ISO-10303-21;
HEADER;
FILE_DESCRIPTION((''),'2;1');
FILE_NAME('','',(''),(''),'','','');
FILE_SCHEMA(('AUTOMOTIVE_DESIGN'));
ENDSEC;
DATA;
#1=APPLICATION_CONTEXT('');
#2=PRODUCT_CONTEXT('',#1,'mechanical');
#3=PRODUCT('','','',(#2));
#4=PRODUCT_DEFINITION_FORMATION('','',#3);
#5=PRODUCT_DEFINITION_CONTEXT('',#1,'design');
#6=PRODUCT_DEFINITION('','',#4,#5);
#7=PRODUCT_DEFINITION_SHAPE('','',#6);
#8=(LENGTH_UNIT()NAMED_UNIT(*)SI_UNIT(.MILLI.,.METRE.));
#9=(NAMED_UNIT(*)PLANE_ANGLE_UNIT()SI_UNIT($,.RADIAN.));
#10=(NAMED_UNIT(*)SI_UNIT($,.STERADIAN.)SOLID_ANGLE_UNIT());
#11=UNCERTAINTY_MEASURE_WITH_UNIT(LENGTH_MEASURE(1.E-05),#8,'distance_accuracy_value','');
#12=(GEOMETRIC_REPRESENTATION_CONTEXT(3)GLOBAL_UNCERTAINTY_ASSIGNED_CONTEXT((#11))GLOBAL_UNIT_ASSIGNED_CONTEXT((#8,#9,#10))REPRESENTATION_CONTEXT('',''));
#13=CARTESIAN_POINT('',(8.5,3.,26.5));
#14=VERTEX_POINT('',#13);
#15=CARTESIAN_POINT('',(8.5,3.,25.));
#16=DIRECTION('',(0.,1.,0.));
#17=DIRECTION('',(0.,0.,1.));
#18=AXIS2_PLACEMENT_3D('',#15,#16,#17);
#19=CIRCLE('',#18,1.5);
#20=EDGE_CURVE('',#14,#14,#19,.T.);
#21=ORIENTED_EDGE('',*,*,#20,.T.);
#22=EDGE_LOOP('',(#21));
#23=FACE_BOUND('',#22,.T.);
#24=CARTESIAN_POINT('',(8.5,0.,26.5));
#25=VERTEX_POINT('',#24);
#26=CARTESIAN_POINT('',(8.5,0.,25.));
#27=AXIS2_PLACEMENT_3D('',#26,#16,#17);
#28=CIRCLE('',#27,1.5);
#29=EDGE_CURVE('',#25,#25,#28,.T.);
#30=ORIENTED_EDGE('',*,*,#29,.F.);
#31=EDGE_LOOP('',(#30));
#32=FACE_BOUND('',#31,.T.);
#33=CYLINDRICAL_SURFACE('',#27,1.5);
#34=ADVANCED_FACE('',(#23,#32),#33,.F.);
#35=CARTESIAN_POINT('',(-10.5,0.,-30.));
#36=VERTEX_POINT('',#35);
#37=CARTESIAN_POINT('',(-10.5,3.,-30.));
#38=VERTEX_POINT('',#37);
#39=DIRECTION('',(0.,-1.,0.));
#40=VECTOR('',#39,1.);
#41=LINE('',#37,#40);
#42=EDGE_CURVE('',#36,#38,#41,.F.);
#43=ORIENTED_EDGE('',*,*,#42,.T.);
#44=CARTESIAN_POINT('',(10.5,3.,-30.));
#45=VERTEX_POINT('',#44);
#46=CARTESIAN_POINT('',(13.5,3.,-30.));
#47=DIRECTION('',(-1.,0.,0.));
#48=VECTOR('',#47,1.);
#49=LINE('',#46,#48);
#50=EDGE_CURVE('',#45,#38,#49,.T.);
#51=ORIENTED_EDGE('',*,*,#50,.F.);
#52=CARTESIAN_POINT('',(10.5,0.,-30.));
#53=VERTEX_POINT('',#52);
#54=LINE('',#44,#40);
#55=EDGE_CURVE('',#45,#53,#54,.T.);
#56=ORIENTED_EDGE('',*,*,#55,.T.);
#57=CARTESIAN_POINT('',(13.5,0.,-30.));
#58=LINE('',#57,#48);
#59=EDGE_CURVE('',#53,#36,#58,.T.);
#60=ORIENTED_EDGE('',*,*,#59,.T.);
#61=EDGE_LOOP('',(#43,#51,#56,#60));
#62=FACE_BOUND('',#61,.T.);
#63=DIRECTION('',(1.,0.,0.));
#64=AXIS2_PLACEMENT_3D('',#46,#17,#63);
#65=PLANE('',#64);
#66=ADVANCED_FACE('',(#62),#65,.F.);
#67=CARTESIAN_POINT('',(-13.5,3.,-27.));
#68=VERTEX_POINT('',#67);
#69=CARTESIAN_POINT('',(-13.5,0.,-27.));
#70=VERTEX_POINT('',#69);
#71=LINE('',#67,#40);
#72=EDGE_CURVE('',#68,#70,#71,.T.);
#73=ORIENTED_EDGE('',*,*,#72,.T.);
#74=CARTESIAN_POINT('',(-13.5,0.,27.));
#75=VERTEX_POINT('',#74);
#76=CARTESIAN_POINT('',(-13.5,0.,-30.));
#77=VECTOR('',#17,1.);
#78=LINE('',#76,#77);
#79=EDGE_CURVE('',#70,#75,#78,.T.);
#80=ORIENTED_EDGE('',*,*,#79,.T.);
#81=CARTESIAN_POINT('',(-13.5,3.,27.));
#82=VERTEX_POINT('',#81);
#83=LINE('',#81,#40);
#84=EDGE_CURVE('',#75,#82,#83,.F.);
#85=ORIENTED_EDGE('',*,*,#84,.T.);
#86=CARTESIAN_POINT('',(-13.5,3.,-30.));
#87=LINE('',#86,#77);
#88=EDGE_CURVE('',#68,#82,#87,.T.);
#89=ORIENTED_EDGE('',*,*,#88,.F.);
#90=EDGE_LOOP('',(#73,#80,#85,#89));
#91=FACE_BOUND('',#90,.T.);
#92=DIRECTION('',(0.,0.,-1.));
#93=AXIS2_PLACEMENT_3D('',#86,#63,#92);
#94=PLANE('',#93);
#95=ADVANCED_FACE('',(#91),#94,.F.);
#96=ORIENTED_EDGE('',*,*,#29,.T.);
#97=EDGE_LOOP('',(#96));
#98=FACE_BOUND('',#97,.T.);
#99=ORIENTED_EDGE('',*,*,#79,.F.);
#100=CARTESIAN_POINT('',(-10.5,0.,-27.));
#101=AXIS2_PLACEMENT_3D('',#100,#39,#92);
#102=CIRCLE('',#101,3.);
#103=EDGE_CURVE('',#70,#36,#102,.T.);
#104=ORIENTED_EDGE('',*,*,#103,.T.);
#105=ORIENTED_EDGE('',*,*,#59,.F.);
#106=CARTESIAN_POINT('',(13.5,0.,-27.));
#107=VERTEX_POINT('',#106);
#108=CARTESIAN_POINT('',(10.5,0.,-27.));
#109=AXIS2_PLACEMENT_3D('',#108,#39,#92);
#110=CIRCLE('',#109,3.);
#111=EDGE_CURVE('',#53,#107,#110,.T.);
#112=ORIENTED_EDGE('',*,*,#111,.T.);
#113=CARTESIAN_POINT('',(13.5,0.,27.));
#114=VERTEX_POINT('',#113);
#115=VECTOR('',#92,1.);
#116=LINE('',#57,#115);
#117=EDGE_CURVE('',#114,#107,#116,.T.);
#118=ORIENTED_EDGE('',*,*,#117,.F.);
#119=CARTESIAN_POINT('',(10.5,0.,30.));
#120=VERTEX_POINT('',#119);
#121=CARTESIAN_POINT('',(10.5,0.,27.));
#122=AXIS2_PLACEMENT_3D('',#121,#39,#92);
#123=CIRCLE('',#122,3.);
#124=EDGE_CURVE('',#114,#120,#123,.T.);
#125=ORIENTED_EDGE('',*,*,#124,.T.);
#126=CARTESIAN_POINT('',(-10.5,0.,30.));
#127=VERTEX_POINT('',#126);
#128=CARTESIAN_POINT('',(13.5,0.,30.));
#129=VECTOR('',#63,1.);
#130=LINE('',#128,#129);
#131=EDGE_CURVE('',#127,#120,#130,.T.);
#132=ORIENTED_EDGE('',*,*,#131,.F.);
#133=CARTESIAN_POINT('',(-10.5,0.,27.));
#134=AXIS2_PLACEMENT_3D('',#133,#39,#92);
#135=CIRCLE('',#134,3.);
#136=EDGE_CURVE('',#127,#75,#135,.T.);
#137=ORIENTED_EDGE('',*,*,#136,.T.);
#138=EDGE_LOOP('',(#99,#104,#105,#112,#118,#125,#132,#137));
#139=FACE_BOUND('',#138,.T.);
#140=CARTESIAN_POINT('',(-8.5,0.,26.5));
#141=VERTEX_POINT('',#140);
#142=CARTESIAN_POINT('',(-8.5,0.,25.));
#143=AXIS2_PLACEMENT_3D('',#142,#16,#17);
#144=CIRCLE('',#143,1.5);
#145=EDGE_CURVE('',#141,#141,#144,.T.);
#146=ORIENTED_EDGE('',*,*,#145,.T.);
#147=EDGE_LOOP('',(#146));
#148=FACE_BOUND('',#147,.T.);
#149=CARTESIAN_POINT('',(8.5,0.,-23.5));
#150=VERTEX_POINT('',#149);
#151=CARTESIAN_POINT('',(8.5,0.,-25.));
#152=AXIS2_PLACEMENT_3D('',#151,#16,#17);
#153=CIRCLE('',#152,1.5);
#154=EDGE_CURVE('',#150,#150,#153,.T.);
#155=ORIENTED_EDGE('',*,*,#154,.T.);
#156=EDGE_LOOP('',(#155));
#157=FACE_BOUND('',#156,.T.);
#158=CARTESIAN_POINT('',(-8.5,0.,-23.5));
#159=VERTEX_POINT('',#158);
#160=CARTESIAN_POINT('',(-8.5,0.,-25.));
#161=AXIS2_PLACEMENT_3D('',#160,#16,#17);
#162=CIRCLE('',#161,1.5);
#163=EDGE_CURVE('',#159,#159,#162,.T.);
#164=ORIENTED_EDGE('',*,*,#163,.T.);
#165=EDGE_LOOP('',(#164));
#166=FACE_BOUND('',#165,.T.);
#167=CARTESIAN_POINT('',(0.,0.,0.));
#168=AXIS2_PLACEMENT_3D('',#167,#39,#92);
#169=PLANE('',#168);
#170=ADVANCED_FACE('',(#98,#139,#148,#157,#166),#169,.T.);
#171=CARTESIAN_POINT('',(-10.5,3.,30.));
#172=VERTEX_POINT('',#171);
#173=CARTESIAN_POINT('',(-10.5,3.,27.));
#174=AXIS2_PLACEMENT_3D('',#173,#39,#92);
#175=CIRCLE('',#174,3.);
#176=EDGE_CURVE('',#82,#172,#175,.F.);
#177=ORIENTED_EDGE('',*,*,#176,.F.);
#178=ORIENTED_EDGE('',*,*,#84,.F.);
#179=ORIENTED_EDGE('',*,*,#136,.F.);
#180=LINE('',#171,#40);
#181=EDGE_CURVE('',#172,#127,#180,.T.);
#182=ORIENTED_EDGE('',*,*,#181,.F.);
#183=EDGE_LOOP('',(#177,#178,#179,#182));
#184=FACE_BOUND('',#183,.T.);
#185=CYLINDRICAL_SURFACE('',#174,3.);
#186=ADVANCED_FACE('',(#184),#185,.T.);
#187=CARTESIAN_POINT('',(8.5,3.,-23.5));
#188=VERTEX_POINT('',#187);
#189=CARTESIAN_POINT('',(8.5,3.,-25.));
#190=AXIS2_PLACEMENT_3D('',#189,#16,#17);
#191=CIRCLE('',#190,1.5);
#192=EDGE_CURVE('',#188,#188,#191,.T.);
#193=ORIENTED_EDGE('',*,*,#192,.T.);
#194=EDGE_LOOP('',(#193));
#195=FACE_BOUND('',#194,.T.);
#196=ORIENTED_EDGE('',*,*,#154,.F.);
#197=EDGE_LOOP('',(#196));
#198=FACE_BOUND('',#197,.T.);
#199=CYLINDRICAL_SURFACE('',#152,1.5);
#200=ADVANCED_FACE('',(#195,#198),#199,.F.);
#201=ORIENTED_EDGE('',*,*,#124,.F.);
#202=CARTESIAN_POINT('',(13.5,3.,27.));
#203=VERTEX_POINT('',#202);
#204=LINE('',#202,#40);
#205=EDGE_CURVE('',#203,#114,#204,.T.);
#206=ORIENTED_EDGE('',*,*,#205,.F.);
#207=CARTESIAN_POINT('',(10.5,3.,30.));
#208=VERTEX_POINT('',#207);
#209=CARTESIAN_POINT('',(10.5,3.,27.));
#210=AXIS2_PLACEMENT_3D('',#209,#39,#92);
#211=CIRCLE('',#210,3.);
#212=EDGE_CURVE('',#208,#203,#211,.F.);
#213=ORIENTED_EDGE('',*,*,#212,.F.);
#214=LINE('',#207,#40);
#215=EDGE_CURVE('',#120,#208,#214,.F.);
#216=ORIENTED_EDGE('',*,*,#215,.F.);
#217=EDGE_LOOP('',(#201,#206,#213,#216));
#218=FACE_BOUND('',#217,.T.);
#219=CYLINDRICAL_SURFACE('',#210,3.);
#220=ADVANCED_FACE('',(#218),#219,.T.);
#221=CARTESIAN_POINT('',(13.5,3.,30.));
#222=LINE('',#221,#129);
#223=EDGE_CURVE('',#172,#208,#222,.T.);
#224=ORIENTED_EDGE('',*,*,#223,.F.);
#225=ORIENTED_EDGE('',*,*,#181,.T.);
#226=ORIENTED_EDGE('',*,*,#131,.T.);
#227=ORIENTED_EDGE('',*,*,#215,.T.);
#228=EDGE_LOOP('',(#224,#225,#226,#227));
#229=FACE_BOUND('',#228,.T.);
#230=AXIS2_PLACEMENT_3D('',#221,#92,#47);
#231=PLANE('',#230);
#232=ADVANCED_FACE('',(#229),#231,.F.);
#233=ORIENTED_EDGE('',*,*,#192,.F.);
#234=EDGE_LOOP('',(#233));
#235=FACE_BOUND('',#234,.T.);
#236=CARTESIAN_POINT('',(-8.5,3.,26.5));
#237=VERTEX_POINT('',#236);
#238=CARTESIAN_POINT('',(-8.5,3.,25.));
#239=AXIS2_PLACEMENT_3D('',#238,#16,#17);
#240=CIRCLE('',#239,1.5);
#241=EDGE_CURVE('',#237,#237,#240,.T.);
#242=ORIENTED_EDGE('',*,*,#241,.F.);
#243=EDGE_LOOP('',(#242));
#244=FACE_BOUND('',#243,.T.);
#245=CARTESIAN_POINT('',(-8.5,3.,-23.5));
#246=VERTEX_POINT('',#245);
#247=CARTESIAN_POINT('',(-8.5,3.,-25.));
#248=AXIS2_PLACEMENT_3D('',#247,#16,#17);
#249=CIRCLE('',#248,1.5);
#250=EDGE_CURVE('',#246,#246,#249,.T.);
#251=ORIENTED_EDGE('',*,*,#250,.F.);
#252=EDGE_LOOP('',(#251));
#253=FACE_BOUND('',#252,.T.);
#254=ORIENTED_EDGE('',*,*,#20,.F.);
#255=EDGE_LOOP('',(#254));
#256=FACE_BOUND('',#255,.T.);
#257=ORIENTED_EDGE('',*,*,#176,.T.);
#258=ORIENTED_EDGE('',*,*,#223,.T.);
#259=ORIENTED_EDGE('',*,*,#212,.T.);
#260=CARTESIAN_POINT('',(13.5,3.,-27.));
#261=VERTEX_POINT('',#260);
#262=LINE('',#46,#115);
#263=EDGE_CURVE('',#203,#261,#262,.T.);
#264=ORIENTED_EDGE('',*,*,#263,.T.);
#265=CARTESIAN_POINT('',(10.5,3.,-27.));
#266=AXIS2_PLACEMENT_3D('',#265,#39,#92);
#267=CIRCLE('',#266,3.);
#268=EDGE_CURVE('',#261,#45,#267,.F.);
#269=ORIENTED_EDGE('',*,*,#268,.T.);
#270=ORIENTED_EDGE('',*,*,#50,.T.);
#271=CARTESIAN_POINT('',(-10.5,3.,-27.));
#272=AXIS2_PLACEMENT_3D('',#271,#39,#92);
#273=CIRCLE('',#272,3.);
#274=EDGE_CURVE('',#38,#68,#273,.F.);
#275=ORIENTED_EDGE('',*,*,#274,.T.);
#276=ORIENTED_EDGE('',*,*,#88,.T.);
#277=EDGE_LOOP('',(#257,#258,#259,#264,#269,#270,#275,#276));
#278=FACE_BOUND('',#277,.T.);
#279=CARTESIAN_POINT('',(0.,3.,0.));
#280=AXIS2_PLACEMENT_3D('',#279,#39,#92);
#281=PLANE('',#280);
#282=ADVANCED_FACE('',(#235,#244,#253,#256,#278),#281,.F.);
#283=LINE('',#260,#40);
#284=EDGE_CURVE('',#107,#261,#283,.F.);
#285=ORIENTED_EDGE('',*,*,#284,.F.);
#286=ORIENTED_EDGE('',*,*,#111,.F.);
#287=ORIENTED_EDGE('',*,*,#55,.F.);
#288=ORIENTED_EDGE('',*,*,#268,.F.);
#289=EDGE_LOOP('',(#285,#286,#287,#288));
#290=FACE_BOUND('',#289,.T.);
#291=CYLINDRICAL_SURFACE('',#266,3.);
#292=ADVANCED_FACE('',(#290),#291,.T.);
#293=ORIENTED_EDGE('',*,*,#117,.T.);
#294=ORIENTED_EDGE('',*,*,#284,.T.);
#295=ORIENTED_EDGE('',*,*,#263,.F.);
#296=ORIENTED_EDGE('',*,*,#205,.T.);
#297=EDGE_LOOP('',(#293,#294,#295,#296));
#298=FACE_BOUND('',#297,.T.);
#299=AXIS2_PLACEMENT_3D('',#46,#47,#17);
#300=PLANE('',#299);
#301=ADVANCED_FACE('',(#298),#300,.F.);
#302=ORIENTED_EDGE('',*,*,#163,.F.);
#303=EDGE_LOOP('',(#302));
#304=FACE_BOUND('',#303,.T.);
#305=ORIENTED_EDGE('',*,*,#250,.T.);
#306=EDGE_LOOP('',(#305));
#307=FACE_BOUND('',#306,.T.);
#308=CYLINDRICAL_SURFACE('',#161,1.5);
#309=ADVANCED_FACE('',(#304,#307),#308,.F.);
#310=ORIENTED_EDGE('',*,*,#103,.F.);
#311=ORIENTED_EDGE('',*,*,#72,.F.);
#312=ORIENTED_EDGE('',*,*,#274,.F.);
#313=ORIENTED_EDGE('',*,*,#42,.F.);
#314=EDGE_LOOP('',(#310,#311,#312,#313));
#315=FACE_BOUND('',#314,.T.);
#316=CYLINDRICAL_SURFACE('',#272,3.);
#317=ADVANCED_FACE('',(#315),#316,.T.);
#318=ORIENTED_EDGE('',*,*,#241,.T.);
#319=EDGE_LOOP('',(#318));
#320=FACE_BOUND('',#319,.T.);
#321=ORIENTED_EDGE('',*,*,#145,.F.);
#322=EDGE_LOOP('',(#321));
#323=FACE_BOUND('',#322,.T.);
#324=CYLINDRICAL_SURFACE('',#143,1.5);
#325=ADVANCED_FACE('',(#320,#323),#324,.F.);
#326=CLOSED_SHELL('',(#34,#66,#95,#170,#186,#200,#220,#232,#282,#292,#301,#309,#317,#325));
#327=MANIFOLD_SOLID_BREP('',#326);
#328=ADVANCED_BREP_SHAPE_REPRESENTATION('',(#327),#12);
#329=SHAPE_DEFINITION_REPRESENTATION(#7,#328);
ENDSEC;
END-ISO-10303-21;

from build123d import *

# Parameters (mm, degrees)
SKETCH3_W           = 27
SKETCH3_H           = 60
BOSS_EXTRUDE1_DEPTH = 3
SKETCH4_R           = 1.5
CUT_EXTRUDE1_DEPTH  = 3
FILLET2_R           = 3
FILLET3_R           = 3


with BuildPart() as part:
    # Sketch3 → Boss-Extrude1 (new body)
    with BuildSketch(Plane(origin=(0, 0, 0), x_dir=(1, 0, 0), z_dir=(0, 1, 0))):
        Rectangle(SKETCH3_W, SKETCH3_H)
    extrude(amount=BOSS_EXTRUDE1_DEPTH)

    # Sketch4 → Cut-Extrude1 (cut)
    with BuildSketch(Plane(origin=(0, 3, 0), x_dir=(1, 0, 0), z_dir=(0, 1, 0))):
        with Locations((-8.5, 25)):
            Circle(SKETCH4_R)
        with Locations((8.5, 25)):
            Circle(SKETCH4_R)
        with Locations((8.5, -25)):
            Circle(SKETCH4_R)
        with Locations((-8.5, -25)):
            Circle(SKETCH4_R)
    extrude(amount=-CUT_EXTRUDE1_DEPTH, mode=Mode.SUBTRACT)

    # Fillet2
    fillet2_edges = [part.edges().sort_by_distance(p)[0] for p in [
        (-13.5, 1.5, 30),
    ]]
    fillet(fillet2_edges, radius=FILLET2_R)

    # Fillet3
    fillet3_edges = [part.edges().sort_by_distance(p)[0] for p in [
        (-13.5, 1.5, -30),
        (13.5, 1.5, -30),
        (13.5, 1.5, 30),
    ]]
    fillet(fillet3_edges, radius=FILLET3_R)


solid = part.part
